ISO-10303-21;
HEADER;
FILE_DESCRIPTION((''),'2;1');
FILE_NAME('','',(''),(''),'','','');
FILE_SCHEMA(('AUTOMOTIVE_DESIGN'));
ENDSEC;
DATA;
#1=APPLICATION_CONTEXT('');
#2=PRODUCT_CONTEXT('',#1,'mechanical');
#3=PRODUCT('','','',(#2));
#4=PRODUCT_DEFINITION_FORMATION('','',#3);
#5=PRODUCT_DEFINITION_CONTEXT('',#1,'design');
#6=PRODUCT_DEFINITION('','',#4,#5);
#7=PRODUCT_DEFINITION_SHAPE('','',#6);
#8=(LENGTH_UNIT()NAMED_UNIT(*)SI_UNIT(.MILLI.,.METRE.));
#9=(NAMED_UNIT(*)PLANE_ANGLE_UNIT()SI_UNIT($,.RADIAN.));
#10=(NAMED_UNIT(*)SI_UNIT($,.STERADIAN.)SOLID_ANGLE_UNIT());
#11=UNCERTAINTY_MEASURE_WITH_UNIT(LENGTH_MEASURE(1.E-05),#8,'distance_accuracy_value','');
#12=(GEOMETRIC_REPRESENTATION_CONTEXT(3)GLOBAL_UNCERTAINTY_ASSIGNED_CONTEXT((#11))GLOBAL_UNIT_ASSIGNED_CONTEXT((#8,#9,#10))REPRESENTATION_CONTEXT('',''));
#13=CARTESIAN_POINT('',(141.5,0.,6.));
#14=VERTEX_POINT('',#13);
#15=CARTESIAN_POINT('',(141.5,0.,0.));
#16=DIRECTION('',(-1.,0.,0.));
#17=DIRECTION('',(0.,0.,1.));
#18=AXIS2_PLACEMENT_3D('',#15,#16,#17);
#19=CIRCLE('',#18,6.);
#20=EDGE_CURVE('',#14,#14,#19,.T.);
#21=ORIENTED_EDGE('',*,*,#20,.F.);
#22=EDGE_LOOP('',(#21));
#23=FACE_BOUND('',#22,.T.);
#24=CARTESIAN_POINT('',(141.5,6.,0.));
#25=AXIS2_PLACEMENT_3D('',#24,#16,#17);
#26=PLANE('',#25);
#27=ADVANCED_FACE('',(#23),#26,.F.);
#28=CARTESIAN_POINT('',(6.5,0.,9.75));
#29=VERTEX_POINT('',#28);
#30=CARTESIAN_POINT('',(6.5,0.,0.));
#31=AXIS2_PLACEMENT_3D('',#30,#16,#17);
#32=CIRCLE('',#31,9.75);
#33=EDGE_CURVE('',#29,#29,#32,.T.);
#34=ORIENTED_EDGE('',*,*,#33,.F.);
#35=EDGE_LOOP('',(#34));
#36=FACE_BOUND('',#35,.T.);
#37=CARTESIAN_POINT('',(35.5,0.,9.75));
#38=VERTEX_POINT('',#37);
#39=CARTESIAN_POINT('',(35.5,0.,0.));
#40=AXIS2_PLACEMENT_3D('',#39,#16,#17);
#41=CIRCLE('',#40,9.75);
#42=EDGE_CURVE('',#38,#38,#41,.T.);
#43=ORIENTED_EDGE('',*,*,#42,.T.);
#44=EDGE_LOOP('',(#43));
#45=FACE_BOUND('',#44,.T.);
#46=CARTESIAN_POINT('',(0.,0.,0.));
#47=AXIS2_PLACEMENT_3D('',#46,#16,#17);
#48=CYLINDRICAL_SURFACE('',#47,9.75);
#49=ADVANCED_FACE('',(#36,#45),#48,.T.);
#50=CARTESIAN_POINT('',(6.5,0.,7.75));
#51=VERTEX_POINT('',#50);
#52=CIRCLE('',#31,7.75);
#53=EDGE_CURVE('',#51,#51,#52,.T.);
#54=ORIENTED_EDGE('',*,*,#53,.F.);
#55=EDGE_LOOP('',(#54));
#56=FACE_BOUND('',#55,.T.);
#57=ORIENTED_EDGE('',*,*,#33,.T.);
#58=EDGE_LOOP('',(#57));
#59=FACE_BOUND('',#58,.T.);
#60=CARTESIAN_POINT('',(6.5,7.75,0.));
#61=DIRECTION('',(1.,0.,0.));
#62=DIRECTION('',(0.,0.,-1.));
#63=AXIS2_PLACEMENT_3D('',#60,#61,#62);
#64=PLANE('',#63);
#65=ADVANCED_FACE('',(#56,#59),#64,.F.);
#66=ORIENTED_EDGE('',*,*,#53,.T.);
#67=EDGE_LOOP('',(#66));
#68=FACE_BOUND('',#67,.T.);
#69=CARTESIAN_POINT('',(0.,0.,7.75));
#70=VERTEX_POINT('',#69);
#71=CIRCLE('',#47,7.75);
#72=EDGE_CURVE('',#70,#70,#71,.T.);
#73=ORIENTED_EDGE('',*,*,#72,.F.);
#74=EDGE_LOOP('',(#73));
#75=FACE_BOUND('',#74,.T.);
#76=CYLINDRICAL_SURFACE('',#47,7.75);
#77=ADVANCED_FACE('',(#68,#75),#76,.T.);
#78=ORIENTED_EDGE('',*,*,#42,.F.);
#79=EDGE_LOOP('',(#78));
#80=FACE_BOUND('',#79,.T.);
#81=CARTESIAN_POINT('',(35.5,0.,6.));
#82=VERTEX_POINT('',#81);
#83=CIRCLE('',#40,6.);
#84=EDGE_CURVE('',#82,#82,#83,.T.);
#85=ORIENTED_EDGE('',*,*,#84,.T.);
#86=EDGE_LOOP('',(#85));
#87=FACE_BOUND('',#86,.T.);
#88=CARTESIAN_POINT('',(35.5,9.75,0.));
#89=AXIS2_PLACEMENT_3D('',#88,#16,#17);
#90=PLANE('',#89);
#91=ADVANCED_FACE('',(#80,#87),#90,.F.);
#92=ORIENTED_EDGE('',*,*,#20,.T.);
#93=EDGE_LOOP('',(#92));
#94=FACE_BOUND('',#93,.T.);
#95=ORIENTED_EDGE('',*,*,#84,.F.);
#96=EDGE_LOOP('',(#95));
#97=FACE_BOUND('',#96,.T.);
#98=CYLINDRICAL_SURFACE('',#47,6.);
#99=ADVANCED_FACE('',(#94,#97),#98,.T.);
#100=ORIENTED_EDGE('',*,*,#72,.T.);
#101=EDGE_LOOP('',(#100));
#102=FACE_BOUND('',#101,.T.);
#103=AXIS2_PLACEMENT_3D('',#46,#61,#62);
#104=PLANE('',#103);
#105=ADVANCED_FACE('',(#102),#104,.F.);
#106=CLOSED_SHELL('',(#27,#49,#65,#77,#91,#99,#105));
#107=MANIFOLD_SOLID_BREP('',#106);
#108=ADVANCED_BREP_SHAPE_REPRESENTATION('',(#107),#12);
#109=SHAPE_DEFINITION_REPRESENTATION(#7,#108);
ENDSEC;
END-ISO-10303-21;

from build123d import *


with BuildPart() as part:
    # Esquisse1 → Révolution1 (revolve)
    with BuildSketch(Plane.XY, mode=Mode.PRIVATE) as r_volution1_sk:
        Polygon((0, 0), (0, 7.75), (6.5, 7.75), (6.5, 9.75), (35.5, 9.75), (35.5, 6), (141.5, 6), (141.5, 0), align=None)
    revolve(r_volution1_sk.sketch.rotate(Axis((0, 0, 0), (1, 0, 0)), 90), axis=Axis((0, 0, 0), (1, 0, 0)))


solid = part.part
